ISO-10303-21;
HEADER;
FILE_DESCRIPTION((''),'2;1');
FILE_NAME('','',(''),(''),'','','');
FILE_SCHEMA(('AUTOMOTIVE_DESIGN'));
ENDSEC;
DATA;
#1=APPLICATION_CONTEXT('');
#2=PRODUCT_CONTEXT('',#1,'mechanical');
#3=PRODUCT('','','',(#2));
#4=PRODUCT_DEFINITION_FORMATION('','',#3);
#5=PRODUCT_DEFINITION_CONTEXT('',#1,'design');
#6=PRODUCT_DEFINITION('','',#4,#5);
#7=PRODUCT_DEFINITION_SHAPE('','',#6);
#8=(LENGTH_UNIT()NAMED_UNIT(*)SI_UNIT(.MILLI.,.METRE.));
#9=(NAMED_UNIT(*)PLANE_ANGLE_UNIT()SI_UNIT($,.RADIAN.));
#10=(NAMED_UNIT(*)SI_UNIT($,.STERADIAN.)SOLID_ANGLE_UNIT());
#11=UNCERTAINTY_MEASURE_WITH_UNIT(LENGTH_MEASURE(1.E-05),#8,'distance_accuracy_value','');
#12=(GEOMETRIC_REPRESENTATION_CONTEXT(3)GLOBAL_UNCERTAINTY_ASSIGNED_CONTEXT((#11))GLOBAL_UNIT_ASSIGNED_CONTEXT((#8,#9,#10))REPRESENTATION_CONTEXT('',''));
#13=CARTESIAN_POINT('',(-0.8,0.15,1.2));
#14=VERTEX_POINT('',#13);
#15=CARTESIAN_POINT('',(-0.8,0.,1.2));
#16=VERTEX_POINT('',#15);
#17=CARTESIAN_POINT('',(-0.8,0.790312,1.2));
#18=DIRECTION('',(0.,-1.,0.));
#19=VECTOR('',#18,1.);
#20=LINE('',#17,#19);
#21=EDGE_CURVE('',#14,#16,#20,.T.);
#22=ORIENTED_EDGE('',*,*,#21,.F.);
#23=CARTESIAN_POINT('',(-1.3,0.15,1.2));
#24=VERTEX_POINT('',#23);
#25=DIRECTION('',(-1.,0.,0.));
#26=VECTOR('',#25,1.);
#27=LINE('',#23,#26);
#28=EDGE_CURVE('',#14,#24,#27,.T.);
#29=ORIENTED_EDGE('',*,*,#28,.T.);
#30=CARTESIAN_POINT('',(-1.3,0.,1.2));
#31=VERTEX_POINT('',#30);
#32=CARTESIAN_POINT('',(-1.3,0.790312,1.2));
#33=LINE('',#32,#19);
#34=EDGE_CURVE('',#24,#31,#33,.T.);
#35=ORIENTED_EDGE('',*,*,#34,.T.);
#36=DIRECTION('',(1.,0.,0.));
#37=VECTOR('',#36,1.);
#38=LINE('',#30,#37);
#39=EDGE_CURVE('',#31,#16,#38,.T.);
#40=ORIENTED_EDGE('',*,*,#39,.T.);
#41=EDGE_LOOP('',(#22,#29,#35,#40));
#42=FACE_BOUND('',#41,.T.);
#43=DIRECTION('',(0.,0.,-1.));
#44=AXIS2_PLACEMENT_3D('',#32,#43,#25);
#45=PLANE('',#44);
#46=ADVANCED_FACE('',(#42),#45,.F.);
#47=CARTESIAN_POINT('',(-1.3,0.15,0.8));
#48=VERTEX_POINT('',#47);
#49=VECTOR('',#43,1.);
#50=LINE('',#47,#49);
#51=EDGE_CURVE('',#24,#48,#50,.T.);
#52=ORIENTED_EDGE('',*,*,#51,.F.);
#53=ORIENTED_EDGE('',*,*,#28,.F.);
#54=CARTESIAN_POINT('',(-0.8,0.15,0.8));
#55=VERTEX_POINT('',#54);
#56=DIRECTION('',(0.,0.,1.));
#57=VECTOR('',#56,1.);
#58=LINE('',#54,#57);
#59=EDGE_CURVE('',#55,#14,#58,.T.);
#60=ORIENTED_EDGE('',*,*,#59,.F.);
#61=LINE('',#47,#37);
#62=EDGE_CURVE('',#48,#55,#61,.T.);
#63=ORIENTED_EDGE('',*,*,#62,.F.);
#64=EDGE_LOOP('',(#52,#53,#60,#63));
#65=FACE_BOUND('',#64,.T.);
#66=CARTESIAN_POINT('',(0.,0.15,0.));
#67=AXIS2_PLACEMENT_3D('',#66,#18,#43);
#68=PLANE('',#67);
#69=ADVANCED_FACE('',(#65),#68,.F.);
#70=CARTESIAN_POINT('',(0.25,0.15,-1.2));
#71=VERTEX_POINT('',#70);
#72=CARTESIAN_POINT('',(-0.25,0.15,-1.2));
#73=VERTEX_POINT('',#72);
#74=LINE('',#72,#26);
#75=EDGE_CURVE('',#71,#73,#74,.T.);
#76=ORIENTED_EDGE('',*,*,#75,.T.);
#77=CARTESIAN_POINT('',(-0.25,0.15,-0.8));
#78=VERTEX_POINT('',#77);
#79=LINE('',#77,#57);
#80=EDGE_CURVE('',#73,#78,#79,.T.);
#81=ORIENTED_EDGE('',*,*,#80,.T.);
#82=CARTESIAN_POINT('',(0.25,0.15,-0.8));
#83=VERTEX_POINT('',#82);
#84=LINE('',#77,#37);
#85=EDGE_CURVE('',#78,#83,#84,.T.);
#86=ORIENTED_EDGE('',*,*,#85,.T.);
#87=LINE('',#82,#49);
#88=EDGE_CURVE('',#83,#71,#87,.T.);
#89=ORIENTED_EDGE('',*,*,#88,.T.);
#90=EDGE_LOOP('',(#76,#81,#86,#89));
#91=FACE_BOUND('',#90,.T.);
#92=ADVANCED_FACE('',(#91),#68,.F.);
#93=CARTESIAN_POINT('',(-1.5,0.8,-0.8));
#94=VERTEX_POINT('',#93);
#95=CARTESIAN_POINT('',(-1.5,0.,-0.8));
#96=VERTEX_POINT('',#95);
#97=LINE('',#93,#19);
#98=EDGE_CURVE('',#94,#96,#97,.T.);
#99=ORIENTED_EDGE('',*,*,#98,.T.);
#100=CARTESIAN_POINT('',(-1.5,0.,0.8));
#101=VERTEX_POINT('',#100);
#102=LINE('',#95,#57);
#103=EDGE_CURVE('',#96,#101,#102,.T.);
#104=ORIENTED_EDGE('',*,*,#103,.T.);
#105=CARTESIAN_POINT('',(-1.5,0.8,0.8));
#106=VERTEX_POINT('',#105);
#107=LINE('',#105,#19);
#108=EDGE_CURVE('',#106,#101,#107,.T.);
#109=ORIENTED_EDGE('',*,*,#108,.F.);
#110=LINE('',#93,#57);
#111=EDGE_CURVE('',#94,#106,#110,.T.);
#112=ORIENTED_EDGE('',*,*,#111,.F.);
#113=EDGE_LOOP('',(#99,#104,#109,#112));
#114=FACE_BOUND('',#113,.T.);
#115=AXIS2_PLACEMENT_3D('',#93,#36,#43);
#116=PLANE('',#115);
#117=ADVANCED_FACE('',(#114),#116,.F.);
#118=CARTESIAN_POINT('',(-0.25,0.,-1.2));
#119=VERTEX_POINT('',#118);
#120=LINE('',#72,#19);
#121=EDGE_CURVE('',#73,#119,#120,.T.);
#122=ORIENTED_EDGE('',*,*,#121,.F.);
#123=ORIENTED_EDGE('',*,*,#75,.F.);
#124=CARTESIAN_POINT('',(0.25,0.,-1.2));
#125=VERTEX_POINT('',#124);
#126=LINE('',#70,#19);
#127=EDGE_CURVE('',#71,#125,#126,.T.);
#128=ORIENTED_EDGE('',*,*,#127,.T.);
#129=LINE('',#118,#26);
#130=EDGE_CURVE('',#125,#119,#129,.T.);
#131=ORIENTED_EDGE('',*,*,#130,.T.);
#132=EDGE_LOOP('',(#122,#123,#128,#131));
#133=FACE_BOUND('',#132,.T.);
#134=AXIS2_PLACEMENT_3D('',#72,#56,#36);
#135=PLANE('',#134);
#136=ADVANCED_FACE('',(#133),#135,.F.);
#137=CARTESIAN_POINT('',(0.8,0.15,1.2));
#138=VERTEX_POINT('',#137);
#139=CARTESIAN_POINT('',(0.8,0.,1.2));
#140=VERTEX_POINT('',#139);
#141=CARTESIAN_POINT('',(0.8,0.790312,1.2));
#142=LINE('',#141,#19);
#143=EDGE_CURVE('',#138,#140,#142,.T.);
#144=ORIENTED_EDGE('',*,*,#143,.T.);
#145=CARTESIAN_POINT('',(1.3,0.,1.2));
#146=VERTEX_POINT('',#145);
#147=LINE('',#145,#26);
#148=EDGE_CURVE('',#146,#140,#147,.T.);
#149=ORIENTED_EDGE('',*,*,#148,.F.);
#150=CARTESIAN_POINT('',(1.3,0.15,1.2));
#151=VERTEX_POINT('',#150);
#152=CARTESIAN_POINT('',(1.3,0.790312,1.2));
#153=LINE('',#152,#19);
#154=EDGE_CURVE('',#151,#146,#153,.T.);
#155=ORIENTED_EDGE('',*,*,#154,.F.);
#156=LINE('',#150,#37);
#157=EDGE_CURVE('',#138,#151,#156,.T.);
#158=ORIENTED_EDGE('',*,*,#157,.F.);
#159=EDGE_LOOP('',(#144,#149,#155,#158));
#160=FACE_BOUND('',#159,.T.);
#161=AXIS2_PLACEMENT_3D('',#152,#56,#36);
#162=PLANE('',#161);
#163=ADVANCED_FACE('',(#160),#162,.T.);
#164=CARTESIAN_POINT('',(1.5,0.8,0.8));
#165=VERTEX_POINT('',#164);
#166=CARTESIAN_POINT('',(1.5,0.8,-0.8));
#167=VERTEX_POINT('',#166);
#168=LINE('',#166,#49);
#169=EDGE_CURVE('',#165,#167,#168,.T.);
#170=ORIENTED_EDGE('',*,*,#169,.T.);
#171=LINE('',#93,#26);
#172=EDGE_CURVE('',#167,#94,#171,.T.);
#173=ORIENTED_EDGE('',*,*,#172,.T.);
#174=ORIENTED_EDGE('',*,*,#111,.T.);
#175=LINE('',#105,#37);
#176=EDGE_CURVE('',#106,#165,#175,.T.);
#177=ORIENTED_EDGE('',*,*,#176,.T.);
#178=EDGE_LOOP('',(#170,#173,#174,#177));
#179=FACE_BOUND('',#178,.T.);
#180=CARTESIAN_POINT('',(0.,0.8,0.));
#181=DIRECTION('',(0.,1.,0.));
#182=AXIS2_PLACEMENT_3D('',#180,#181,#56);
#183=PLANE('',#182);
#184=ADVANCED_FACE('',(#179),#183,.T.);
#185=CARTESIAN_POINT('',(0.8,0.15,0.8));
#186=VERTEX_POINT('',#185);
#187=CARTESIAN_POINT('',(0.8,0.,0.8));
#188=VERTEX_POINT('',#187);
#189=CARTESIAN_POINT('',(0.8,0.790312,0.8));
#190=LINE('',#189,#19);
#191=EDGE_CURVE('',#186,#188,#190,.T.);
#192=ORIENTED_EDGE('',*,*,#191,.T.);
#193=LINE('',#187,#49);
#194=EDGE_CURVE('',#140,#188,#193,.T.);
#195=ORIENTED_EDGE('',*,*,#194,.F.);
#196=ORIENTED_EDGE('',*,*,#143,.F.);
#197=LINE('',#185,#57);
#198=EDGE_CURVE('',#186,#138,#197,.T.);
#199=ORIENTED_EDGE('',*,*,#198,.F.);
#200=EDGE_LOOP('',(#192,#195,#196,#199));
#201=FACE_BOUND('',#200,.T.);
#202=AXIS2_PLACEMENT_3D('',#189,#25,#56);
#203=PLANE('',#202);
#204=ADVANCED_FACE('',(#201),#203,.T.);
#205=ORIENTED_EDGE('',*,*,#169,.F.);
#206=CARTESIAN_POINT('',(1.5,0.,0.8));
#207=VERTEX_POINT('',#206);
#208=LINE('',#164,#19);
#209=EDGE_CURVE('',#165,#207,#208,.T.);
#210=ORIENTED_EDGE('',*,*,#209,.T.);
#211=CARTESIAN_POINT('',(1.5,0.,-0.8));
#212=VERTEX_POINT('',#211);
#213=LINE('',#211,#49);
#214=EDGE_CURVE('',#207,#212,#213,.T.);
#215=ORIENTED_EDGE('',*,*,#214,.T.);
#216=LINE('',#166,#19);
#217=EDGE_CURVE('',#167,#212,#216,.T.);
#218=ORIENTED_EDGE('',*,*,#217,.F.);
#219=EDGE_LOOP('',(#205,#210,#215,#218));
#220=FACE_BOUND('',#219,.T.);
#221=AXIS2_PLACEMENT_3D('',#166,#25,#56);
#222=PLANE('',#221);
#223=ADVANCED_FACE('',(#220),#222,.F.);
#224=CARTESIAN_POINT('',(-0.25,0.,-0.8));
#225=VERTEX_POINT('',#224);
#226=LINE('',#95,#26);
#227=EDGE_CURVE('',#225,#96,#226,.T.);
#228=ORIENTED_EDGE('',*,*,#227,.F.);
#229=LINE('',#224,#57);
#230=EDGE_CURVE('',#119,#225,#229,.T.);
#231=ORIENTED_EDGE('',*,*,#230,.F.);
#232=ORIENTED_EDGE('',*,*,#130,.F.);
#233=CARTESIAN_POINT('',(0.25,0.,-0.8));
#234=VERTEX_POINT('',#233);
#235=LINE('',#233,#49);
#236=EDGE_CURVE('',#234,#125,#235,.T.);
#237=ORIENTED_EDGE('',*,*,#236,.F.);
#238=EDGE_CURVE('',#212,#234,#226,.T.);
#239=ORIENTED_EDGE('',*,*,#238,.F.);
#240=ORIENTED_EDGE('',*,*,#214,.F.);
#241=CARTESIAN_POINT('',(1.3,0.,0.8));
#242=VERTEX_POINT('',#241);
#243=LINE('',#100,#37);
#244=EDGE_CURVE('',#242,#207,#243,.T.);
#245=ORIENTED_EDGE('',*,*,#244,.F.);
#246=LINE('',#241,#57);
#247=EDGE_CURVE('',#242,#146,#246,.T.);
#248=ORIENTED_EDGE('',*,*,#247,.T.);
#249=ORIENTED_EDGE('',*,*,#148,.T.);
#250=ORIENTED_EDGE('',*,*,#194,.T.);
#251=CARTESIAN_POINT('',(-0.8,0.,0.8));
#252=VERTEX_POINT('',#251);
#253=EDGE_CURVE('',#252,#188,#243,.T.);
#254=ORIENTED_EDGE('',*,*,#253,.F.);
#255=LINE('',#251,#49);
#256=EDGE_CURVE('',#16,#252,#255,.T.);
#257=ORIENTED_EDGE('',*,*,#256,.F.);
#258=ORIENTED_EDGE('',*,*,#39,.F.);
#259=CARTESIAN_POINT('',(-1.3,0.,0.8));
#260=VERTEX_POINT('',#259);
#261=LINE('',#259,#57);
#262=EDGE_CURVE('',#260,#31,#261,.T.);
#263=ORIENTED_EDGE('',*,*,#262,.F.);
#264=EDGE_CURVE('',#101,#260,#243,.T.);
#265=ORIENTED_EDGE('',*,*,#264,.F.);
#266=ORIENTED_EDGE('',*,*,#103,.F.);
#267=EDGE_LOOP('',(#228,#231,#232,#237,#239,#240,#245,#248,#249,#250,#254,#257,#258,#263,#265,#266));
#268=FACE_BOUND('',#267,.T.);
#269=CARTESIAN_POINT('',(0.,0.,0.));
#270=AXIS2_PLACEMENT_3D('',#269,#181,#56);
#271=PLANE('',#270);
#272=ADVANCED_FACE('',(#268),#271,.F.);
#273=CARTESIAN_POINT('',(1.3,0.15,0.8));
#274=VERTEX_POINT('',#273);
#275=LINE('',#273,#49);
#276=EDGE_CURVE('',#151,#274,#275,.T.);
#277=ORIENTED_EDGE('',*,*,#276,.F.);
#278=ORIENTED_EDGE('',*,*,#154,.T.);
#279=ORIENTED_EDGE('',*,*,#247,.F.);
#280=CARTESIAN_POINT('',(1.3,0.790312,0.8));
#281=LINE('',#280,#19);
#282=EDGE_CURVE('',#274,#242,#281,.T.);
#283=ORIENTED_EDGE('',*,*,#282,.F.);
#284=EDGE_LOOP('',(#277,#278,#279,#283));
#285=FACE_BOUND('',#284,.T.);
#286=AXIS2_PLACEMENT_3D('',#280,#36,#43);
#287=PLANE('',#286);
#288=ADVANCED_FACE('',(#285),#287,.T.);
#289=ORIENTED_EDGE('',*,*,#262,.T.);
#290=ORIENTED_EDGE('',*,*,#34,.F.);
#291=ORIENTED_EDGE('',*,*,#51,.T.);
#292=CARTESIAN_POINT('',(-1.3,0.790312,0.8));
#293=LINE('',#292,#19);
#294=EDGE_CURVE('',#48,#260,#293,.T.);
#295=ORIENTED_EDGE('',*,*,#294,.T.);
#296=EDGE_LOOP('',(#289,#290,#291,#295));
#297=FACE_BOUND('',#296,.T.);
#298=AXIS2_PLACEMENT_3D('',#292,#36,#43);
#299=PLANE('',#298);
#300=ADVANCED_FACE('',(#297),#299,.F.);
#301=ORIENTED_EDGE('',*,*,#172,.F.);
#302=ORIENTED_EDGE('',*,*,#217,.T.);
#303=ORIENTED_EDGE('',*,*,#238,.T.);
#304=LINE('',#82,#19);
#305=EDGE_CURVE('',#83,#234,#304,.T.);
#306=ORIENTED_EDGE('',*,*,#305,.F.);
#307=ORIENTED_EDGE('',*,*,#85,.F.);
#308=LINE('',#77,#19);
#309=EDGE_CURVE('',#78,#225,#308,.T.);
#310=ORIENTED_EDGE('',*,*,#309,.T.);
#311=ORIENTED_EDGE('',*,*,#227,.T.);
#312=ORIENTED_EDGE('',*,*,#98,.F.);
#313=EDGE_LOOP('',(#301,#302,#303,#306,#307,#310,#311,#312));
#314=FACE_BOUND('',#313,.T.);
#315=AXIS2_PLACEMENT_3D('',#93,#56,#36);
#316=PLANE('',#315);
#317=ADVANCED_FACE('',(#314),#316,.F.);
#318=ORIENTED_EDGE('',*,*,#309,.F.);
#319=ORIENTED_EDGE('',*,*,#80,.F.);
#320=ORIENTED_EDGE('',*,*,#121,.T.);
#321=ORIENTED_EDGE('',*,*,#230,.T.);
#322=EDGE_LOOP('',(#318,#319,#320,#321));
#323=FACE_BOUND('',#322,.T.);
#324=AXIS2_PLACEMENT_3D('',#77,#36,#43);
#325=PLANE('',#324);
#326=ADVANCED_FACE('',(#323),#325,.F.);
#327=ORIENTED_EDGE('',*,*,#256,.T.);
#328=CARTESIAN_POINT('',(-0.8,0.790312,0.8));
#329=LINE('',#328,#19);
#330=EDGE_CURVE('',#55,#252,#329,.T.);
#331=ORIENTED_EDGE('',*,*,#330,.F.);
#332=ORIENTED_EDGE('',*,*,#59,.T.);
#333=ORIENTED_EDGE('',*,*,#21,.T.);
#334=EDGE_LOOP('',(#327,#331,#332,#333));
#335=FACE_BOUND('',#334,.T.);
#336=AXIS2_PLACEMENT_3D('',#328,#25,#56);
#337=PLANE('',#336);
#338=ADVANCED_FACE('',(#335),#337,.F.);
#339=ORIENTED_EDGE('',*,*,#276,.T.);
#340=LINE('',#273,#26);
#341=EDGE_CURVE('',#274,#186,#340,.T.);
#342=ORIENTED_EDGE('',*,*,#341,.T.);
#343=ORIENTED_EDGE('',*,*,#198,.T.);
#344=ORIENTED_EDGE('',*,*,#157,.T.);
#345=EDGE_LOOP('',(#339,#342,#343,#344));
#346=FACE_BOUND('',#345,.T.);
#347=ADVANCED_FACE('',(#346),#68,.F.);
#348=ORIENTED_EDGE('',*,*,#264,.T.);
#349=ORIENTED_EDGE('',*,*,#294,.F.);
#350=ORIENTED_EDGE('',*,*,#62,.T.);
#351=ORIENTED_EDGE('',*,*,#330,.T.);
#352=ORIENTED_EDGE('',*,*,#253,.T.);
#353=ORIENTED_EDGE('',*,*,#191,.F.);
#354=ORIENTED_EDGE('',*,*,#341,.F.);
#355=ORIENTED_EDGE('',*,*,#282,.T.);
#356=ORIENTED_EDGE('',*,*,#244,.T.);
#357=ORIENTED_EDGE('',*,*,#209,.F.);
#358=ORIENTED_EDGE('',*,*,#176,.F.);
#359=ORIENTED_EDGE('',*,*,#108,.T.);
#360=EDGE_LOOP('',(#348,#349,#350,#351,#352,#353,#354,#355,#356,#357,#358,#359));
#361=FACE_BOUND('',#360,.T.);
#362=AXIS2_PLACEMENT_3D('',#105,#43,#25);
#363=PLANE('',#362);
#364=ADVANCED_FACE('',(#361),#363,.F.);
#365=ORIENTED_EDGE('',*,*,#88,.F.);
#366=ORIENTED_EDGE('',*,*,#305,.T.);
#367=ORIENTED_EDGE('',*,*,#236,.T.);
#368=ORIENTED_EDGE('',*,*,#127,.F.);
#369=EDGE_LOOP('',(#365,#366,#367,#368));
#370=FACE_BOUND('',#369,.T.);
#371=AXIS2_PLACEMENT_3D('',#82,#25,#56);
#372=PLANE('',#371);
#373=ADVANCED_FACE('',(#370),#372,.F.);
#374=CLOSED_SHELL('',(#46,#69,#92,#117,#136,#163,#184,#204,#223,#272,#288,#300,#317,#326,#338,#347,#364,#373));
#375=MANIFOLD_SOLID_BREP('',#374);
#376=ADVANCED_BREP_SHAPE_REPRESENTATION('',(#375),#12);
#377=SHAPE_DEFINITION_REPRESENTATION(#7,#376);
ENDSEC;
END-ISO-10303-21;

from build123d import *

# Parameters (mm, degrees)
BASES_W       = 3
BASES_H       = 1.6
BASE_DEPTH    = 0.8
LEGS_W        = 0.5
LEGS_H        = 0.4
LEG_DEPTH     = 0.15
SIDELEGS_W    = 0.5
SIDELEGS_H    = 0.4
SIDELEG_DEPTH = 0.15


with BuildPart() as part:
    # BaseS → Base (new body)
    with BuildSketch(Plane(origin=(0, 0, 0), x_dir=(1, 0, 0), z_dir=(0, 1, 0))):
        Rectangle(BASES_W, BASES_H)
    extrude(amount=BASE_DEPTH)

    # LegS → Leg (add)
    with BuildSketch(Plane(origin=(0, 0, 0), x_dir=(1, 0, 0), z_dir=(0, 1, 0))):
        with Locations((0, 1)):
            Rectangle(LEGS_W, LEGS_H)
    extrude(amount=LEG_DEPTH)

    # SideLegS → SideLeg (add)
    with BuildSketch(Plane(origin=(0, 0, 0), x_dir=(1, 0, 0), z_dir=(0, 1, 0))):
        with Locations((-1.05, -1)):
            Rectangle(SIDELEGS_W, SIDELEGS_H)
    sideleg = extrude(amount=SIDELEG_DEPTH)

    # SLHM: SideLeg across plane
    add(sideleg.mirror(Plane(origin=(0, 0, 0), x_dir=(0, 0, 1), z_dir=(1, 0, 0))))


solid = part.part
